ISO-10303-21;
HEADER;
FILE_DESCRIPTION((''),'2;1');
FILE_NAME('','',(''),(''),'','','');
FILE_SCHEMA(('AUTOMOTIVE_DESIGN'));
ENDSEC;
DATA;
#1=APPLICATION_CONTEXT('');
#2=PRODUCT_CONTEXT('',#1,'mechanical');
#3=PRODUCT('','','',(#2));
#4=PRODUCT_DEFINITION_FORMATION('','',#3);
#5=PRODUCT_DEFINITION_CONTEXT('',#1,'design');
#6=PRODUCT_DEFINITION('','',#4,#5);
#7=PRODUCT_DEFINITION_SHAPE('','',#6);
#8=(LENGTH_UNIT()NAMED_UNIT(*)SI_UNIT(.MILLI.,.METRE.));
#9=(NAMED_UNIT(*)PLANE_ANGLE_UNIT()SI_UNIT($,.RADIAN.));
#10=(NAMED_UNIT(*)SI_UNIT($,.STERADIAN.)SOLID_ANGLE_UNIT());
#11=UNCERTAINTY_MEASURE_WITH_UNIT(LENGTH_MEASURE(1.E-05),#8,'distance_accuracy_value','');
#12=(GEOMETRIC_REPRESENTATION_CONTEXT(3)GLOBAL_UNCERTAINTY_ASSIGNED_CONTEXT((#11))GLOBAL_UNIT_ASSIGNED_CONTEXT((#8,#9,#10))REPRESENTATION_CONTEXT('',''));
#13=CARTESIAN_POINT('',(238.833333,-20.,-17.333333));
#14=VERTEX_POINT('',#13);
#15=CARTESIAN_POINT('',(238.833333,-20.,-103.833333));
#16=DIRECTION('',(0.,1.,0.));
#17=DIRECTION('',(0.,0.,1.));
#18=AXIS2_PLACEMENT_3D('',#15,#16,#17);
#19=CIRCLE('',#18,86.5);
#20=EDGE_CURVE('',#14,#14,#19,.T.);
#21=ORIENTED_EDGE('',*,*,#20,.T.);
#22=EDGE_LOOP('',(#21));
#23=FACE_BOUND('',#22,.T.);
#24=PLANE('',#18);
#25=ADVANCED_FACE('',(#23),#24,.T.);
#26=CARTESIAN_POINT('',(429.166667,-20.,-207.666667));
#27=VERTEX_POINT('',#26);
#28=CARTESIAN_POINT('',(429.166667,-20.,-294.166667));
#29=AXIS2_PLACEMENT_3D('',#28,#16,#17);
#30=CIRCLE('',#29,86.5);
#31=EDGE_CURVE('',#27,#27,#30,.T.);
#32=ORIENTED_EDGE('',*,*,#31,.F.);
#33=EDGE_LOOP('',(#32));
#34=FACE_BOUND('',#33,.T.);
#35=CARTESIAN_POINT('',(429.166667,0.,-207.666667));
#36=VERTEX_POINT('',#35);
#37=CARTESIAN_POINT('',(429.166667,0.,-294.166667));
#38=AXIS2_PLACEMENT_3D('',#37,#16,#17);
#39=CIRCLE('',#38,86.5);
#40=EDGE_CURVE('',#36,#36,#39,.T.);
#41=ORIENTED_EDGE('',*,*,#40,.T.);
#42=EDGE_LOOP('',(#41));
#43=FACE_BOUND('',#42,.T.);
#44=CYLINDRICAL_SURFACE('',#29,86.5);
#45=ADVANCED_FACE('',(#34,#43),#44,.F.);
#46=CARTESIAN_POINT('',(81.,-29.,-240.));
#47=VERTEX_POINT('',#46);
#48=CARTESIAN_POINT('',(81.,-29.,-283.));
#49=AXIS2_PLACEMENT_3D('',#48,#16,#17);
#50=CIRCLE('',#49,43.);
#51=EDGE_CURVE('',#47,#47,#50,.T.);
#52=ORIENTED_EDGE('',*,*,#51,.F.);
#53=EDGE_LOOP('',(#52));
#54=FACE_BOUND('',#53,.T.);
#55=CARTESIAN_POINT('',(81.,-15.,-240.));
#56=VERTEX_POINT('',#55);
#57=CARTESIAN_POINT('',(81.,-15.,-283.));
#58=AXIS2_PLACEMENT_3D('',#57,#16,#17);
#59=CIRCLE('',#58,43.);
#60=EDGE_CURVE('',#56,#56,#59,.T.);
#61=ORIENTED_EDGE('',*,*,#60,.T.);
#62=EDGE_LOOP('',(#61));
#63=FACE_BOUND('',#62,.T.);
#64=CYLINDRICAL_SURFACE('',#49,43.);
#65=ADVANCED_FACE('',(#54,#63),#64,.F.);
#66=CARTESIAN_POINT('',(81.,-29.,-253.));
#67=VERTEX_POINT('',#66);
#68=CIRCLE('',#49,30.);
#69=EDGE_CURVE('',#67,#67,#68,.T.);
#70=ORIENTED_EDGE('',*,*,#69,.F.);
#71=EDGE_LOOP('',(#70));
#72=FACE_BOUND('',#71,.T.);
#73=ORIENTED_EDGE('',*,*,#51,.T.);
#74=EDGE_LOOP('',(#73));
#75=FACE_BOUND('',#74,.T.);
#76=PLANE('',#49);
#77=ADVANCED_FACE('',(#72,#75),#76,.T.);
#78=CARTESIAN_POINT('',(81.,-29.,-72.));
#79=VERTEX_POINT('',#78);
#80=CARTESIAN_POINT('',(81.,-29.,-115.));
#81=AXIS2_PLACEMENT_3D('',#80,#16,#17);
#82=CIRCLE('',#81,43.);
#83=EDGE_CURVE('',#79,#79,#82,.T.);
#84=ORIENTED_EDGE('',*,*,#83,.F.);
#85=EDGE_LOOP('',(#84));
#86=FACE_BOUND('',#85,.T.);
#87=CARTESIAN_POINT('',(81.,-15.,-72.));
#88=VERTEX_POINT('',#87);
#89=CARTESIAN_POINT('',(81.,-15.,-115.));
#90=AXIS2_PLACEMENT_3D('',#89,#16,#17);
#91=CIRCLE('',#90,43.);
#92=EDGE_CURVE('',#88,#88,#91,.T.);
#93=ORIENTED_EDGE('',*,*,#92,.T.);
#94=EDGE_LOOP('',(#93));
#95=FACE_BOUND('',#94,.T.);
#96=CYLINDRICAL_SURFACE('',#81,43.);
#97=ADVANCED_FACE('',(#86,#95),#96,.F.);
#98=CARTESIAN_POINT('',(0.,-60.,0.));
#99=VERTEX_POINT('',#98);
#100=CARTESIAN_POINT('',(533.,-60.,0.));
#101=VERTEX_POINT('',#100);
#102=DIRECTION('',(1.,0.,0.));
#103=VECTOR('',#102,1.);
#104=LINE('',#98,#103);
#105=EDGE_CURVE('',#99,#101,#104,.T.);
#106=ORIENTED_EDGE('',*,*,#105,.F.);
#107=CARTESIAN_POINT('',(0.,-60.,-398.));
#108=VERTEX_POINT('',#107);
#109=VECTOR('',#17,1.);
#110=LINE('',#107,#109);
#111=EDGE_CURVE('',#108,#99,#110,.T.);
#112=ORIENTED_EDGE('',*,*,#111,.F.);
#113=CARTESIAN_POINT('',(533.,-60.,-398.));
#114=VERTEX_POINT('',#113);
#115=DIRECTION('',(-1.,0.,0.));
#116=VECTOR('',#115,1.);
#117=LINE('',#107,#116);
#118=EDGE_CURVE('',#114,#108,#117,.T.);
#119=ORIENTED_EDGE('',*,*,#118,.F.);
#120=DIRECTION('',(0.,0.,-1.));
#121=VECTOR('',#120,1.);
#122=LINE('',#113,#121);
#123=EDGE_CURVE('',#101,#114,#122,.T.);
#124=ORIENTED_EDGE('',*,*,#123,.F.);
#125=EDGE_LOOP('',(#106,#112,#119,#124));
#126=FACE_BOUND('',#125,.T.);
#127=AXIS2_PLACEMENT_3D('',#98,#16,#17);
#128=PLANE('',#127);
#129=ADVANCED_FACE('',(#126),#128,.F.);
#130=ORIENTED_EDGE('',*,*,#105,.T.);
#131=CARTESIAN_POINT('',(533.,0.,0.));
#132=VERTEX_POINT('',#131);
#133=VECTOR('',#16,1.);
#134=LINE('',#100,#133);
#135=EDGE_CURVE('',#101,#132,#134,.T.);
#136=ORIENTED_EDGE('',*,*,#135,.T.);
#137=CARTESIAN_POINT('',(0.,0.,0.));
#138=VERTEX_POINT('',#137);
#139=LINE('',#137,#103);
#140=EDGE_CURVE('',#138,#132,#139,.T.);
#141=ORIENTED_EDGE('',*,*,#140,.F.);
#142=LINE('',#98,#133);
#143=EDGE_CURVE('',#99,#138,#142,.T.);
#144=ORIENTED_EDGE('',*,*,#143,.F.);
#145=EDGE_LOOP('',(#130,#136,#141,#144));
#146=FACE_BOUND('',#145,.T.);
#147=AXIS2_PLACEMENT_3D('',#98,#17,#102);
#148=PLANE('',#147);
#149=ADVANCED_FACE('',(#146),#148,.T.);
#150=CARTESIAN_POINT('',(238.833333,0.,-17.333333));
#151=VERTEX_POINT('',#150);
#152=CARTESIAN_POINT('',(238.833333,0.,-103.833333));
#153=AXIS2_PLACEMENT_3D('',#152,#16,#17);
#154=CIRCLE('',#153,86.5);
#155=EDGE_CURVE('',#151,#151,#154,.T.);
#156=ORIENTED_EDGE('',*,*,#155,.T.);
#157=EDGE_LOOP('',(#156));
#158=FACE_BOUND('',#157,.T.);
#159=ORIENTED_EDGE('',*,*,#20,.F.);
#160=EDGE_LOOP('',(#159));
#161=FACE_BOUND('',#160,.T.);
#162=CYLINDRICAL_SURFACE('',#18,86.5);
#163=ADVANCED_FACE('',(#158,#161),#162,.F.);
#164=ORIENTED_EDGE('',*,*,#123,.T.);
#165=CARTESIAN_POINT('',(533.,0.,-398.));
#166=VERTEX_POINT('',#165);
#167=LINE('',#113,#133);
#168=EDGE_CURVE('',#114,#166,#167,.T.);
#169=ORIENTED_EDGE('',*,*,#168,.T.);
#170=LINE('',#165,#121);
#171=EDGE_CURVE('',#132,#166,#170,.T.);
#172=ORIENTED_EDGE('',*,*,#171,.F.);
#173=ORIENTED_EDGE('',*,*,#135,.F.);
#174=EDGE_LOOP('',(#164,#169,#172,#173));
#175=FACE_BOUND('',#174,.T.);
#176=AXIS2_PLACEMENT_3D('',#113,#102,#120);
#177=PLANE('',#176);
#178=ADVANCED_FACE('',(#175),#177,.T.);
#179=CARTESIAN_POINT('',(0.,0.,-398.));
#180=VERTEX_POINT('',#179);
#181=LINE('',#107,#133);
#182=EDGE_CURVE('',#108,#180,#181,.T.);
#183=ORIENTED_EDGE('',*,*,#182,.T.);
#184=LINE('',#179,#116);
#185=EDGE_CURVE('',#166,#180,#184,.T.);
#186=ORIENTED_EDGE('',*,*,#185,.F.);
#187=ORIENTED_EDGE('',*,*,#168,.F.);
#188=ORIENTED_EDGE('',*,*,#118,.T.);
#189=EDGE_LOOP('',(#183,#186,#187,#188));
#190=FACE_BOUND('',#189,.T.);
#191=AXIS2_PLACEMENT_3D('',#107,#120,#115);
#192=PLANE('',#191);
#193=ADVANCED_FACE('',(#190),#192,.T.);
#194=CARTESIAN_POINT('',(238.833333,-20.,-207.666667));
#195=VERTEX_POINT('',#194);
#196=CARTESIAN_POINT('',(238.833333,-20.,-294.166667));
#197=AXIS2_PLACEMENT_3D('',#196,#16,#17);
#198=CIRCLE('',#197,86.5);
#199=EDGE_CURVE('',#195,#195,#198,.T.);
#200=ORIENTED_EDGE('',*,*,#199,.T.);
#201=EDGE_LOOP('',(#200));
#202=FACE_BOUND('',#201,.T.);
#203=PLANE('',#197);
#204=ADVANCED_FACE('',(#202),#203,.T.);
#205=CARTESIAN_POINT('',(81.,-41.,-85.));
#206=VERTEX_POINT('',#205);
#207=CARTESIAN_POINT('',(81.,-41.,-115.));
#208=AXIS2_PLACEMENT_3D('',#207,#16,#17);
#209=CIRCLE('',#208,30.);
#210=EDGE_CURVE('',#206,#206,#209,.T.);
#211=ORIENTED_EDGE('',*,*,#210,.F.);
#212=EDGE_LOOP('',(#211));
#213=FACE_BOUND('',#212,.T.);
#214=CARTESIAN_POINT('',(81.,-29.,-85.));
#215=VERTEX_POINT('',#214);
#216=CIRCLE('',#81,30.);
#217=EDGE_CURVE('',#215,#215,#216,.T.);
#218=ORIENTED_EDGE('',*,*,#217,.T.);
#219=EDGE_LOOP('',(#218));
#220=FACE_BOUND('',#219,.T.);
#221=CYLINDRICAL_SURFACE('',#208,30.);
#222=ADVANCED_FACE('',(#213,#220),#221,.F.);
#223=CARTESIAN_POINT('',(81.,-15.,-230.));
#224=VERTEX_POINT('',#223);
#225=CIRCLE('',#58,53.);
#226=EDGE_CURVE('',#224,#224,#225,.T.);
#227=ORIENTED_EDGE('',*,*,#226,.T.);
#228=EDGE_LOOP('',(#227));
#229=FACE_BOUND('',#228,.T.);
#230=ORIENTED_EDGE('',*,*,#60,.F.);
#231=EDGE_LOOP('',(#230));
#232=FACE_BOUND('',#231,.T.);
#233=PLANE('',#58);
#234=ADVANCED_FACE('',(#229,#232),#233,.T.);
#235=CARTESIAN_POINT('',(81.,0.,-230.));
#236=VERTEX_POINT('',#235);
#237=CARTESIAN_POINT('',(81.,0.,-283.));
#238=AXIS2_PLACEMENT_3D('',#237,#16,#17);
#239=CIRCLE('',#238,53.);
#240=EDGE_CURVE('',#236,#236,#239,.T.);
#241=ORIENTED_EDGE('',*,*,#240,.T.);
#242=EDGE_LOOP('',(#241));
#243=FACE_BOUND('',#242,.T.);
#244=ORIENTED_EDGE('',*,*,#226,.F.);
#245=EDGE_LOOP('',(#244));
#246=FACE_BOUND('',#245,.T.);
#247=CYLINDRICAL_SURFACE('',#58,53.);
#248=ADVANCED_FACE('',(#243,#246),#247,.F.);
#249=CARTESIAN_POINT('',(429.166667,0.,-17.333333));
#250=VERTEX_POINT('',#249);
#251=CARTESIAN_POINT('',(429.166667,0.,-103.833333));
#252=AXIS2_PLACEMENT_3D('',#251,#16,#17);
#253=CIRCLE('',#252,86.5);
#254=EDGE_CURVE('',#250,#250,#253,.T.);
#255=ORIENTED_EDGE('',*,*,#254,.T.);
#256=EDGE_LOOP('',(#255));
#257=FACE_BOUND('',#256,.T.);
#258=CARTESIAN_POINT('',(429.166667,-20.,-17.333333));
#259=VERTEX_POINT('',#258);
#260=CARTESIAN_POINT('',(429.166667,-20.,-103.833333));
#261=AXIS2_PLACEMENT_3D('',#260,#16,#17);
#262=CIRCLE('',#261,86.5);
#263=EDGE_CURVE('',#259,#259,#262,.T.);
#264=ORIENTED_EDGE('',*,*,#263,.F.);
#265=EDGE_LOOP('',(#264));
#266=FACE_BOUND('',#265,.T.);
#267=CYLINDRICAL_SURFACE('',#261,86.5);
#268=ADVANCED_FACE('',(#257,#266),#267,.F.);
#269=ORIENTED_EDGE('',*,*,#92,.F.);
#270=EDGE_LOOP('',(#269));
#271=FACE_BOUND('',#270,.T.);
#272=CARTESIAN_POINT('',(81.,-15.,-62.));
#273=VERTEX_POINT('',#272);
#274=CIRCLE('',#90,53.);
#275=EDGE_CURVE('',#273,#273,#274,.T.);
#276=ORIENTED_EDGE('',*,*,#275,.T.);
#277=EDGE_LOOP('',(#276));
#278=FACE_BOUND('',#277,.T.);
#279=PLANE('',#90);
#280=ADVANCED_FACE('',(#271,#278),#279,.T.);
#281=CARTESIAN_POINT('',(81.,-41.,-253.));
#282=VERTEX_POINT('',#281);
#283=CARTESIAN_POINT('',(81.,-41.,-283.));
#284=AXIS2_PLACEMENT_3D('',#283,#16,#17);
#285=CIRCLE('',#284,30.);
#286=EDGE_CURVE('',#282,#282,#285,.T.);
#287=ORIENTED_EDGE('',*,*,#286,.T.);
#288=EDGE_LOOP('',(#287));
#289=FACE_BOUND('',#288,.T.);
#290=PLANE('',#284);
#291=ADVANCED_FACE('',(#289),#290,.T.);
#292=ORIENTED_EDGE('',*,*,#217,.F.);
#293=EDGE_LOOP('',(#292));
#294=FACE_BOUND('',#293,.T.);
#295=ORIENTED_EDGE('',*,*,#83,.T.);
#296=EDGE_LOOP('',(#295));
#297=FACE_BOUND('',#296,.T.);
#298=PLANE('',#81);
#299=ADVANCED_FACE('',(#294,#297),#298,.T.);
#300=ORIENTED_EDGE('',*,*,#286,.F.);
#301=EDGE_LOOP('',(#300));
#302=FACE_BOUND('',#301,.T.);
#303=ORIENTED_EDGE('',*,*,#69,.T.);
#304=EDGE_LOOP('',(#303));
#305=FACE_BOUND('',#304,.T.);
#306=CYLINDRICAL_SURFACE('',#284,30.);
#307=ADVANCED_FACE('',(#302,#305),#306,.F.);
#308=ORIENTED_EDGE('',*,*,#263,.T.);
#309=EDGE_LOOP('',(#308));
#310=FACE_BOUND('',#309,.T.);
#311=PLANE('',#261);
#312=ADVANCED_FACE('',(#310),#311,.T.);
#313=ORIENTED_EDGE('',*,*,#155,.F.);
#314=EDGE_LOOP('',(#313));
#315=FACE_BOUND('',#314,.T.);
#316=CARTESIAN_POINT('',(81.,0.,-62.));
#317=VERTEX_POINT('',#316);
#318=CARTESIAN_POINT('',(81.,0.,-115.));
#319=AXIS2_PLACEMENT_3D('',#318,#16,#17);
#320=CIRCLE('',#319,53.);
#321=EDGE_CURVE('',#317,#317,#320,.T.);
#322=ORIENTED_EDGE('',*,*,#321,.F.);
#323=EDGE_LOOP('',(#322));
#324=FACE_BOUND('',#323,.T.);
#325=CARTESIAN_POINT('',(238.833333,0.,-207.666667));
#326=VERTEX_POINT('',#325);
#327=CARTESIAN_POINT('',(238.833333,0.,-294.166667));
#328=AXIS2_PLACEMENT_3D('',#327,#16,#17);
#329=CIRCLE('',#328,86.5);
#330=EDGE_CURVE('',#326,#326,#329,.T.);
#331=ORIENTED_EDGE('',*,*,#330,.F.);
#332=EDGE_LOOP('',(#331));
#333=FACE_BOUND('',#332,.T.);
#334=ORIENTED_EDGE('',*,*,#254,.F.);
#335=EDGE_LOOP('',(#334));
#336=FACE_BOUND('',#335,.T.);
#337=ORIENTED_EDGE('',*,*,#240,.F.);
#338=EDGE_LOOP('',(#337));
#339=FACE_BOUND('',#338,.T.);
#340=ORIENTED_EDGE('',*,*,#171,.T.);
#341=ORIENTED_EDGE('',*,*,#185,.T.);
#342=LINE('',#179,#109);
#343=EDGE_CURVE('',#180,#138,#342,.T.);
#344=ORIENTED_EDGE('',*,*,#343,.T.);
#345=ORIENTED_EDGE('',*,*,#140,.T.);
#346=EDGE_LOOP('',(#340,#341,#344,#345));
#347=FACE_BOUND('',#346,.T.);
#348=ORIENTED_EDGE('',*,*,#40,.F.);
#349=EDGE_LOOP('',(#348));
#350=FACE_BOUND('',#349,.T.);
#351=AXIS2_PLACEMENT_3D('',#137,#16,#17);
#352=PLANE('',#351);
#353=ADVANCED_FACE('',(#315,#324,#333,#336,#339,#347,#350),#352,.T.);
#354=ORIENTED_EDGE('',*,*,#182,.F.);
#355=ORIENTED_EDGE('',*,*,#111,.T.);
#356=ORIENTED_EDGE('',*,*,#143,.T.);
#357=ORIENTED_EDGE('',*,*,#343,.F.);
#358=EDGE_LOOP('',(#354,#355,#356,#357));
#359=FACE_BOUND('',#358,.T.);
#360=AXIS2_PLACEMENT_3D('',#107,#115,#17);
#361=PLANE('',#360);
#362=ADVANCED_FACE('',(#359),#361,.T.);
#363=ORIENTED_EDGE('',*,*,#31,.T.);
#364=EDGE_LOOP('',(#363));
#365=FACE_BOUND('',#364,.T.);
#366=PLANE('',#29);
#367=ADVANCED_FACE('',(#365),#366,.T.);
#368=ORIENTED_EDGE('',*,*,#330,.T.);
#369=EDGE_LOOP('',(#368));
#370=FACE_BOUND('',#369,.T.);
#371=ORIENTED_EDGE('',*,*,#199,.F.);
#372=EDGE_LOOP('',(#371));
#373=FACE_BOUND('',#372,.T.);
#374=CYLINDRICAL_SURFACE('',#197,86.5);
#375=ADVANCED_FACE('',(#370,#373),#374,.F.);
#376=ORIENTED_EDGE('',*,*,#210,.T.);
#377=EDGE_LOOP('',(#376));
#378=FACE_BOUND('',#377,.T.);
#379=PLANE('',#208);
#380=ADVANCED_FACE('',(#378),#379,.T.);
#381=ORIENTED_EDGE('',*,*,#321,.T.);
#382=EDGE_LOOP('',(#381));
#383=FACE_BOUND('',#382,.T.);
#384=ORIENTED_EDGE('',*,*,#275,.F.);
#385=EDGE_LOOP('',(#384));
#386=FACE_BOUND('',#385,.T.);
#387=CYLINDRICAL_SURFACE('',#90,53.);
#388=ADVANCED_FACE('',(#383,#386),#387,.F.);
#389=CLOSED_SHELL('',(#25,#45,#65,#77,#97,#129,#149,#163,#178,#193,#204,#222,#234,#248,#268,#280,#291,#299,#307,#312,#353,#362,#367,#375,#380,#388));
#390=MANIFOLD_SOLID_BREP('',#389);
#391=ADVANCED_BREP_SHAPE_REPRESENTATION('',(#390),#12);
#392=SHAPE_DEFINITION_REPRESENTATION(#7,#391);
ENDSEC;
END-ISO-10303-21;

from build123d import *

# Parameters (mm, degrees)
SKETCH_1_W            = 533
SKETCH_1_H            = 398
EXTRUDE_237_DEPTH     = 60
SKETCH_2_R            = 86.5
CUT_EXTRUDE_597_DEPTH = 20
SKETCH_3_R            = 53
CUT_EXTRUDE_101_DEPTH = 15
SKETCH_6_R            = 43
CUT_EXTRUDE_5_DEPTH   = 14
SKETCH_7_R            = 30
CUT_EXTRUDE_6_DEPTH   = 12


with BuildPart() as part:
    # Эскиз1 → Extrude 237 (new body)
    with BuildSketch(Plane(origin=(0, 0, 0), x_dir=(1, 0, 0), z_dir=(0, 1, 0))):
        with Locations((266.5, 199)):
            Rectangle(SKETCH_1_W, SKETCH_1_H)
    extrude(amount=-EXTRUDE_237_DEPTH)

    # Эскиз2 → Р597 (cut)
    with BuildSketch(Plane(origin=(0, 0, 0), x_dir=(1, 0, 0), z_dir=(0, 1, 0))):
        with Locations(Location((429.166666667, 103.833333333, 0), (0, 0, 270))):
            Circle(SKETCH_2_R)
        with Locations(Location((238.833333333, 103.833333333, 0), (0, 0, 270))):
            Circle(SKETCH_2_R)
        with Locations(Location((238.833333333, 294.166666667, 0), (0, 0, 270))):
            Circle(SKETCH_2_R)
        with Locations(Location((429.166666667, 294.166666667, 0), (0, 0, 270))):
            Circle(SKETCH_2_R)
    extrude(amount=-CUT_EXTRUDE_597_DEPTH, mode=Mode.SUBTRACT)

    # Эскиз3 → КМЕ-101 (cut)
    with BuildSketch(Plane(origin=(0, 0, 0), x_dir=(1, 0, 0), z_dir=(0, 1, 0))):
        with Locations(Location((81, 283, 0), (0, 0, 270))):
            Circle(SKETCH_3_R)
        with Locations(Location((81, 115, 0), (0, 0, 270))):
            Circle(SKETCH_3_R)
    extrude(amount=-CUT_EXTRUDE_101_DEPTH, mode=Mode.SUBTRACT)

    # Эскиз6 → Вырез-Вытянуть5 (cut)
    with BuildSketch(Plane(origin=(0, -15, 0), x_dir=(1, 0, 0), z_dir=(0, 1, 0))):
        with Locations(Location((81, 283, 0), (0, 0, 270))):
            Circle(SKETCH_6_R)
        with Locations(Location((81, 115, 0), (0, 0, 270))):
            Circle(SKETCH_6_R)
    extrude(amount=-CUT_EXTRUDE_5_DEPTH, mode=Mode.SUBTRACT)

    # Эскиз7 → Вырез-Вытянуть6 (cut)
    with BuildSketch(Plane(origin=(0, -29, 0), x_dir=(1, 0, 0), z_dir=(0, 1, 0))):
        with Locations(Location((81, 283, 0), (0, 0, 270))):
            Circle(SKETCH_7_R)
        with Locations(Location((81, 115, 0), (0, 0, 270))):
            Circle(SKETCH_7_R)
    extrude(amount=-CUT_EXTRUDE_6_DEPTH, mode=Mode.SUBTRACT)


solid = part.part
